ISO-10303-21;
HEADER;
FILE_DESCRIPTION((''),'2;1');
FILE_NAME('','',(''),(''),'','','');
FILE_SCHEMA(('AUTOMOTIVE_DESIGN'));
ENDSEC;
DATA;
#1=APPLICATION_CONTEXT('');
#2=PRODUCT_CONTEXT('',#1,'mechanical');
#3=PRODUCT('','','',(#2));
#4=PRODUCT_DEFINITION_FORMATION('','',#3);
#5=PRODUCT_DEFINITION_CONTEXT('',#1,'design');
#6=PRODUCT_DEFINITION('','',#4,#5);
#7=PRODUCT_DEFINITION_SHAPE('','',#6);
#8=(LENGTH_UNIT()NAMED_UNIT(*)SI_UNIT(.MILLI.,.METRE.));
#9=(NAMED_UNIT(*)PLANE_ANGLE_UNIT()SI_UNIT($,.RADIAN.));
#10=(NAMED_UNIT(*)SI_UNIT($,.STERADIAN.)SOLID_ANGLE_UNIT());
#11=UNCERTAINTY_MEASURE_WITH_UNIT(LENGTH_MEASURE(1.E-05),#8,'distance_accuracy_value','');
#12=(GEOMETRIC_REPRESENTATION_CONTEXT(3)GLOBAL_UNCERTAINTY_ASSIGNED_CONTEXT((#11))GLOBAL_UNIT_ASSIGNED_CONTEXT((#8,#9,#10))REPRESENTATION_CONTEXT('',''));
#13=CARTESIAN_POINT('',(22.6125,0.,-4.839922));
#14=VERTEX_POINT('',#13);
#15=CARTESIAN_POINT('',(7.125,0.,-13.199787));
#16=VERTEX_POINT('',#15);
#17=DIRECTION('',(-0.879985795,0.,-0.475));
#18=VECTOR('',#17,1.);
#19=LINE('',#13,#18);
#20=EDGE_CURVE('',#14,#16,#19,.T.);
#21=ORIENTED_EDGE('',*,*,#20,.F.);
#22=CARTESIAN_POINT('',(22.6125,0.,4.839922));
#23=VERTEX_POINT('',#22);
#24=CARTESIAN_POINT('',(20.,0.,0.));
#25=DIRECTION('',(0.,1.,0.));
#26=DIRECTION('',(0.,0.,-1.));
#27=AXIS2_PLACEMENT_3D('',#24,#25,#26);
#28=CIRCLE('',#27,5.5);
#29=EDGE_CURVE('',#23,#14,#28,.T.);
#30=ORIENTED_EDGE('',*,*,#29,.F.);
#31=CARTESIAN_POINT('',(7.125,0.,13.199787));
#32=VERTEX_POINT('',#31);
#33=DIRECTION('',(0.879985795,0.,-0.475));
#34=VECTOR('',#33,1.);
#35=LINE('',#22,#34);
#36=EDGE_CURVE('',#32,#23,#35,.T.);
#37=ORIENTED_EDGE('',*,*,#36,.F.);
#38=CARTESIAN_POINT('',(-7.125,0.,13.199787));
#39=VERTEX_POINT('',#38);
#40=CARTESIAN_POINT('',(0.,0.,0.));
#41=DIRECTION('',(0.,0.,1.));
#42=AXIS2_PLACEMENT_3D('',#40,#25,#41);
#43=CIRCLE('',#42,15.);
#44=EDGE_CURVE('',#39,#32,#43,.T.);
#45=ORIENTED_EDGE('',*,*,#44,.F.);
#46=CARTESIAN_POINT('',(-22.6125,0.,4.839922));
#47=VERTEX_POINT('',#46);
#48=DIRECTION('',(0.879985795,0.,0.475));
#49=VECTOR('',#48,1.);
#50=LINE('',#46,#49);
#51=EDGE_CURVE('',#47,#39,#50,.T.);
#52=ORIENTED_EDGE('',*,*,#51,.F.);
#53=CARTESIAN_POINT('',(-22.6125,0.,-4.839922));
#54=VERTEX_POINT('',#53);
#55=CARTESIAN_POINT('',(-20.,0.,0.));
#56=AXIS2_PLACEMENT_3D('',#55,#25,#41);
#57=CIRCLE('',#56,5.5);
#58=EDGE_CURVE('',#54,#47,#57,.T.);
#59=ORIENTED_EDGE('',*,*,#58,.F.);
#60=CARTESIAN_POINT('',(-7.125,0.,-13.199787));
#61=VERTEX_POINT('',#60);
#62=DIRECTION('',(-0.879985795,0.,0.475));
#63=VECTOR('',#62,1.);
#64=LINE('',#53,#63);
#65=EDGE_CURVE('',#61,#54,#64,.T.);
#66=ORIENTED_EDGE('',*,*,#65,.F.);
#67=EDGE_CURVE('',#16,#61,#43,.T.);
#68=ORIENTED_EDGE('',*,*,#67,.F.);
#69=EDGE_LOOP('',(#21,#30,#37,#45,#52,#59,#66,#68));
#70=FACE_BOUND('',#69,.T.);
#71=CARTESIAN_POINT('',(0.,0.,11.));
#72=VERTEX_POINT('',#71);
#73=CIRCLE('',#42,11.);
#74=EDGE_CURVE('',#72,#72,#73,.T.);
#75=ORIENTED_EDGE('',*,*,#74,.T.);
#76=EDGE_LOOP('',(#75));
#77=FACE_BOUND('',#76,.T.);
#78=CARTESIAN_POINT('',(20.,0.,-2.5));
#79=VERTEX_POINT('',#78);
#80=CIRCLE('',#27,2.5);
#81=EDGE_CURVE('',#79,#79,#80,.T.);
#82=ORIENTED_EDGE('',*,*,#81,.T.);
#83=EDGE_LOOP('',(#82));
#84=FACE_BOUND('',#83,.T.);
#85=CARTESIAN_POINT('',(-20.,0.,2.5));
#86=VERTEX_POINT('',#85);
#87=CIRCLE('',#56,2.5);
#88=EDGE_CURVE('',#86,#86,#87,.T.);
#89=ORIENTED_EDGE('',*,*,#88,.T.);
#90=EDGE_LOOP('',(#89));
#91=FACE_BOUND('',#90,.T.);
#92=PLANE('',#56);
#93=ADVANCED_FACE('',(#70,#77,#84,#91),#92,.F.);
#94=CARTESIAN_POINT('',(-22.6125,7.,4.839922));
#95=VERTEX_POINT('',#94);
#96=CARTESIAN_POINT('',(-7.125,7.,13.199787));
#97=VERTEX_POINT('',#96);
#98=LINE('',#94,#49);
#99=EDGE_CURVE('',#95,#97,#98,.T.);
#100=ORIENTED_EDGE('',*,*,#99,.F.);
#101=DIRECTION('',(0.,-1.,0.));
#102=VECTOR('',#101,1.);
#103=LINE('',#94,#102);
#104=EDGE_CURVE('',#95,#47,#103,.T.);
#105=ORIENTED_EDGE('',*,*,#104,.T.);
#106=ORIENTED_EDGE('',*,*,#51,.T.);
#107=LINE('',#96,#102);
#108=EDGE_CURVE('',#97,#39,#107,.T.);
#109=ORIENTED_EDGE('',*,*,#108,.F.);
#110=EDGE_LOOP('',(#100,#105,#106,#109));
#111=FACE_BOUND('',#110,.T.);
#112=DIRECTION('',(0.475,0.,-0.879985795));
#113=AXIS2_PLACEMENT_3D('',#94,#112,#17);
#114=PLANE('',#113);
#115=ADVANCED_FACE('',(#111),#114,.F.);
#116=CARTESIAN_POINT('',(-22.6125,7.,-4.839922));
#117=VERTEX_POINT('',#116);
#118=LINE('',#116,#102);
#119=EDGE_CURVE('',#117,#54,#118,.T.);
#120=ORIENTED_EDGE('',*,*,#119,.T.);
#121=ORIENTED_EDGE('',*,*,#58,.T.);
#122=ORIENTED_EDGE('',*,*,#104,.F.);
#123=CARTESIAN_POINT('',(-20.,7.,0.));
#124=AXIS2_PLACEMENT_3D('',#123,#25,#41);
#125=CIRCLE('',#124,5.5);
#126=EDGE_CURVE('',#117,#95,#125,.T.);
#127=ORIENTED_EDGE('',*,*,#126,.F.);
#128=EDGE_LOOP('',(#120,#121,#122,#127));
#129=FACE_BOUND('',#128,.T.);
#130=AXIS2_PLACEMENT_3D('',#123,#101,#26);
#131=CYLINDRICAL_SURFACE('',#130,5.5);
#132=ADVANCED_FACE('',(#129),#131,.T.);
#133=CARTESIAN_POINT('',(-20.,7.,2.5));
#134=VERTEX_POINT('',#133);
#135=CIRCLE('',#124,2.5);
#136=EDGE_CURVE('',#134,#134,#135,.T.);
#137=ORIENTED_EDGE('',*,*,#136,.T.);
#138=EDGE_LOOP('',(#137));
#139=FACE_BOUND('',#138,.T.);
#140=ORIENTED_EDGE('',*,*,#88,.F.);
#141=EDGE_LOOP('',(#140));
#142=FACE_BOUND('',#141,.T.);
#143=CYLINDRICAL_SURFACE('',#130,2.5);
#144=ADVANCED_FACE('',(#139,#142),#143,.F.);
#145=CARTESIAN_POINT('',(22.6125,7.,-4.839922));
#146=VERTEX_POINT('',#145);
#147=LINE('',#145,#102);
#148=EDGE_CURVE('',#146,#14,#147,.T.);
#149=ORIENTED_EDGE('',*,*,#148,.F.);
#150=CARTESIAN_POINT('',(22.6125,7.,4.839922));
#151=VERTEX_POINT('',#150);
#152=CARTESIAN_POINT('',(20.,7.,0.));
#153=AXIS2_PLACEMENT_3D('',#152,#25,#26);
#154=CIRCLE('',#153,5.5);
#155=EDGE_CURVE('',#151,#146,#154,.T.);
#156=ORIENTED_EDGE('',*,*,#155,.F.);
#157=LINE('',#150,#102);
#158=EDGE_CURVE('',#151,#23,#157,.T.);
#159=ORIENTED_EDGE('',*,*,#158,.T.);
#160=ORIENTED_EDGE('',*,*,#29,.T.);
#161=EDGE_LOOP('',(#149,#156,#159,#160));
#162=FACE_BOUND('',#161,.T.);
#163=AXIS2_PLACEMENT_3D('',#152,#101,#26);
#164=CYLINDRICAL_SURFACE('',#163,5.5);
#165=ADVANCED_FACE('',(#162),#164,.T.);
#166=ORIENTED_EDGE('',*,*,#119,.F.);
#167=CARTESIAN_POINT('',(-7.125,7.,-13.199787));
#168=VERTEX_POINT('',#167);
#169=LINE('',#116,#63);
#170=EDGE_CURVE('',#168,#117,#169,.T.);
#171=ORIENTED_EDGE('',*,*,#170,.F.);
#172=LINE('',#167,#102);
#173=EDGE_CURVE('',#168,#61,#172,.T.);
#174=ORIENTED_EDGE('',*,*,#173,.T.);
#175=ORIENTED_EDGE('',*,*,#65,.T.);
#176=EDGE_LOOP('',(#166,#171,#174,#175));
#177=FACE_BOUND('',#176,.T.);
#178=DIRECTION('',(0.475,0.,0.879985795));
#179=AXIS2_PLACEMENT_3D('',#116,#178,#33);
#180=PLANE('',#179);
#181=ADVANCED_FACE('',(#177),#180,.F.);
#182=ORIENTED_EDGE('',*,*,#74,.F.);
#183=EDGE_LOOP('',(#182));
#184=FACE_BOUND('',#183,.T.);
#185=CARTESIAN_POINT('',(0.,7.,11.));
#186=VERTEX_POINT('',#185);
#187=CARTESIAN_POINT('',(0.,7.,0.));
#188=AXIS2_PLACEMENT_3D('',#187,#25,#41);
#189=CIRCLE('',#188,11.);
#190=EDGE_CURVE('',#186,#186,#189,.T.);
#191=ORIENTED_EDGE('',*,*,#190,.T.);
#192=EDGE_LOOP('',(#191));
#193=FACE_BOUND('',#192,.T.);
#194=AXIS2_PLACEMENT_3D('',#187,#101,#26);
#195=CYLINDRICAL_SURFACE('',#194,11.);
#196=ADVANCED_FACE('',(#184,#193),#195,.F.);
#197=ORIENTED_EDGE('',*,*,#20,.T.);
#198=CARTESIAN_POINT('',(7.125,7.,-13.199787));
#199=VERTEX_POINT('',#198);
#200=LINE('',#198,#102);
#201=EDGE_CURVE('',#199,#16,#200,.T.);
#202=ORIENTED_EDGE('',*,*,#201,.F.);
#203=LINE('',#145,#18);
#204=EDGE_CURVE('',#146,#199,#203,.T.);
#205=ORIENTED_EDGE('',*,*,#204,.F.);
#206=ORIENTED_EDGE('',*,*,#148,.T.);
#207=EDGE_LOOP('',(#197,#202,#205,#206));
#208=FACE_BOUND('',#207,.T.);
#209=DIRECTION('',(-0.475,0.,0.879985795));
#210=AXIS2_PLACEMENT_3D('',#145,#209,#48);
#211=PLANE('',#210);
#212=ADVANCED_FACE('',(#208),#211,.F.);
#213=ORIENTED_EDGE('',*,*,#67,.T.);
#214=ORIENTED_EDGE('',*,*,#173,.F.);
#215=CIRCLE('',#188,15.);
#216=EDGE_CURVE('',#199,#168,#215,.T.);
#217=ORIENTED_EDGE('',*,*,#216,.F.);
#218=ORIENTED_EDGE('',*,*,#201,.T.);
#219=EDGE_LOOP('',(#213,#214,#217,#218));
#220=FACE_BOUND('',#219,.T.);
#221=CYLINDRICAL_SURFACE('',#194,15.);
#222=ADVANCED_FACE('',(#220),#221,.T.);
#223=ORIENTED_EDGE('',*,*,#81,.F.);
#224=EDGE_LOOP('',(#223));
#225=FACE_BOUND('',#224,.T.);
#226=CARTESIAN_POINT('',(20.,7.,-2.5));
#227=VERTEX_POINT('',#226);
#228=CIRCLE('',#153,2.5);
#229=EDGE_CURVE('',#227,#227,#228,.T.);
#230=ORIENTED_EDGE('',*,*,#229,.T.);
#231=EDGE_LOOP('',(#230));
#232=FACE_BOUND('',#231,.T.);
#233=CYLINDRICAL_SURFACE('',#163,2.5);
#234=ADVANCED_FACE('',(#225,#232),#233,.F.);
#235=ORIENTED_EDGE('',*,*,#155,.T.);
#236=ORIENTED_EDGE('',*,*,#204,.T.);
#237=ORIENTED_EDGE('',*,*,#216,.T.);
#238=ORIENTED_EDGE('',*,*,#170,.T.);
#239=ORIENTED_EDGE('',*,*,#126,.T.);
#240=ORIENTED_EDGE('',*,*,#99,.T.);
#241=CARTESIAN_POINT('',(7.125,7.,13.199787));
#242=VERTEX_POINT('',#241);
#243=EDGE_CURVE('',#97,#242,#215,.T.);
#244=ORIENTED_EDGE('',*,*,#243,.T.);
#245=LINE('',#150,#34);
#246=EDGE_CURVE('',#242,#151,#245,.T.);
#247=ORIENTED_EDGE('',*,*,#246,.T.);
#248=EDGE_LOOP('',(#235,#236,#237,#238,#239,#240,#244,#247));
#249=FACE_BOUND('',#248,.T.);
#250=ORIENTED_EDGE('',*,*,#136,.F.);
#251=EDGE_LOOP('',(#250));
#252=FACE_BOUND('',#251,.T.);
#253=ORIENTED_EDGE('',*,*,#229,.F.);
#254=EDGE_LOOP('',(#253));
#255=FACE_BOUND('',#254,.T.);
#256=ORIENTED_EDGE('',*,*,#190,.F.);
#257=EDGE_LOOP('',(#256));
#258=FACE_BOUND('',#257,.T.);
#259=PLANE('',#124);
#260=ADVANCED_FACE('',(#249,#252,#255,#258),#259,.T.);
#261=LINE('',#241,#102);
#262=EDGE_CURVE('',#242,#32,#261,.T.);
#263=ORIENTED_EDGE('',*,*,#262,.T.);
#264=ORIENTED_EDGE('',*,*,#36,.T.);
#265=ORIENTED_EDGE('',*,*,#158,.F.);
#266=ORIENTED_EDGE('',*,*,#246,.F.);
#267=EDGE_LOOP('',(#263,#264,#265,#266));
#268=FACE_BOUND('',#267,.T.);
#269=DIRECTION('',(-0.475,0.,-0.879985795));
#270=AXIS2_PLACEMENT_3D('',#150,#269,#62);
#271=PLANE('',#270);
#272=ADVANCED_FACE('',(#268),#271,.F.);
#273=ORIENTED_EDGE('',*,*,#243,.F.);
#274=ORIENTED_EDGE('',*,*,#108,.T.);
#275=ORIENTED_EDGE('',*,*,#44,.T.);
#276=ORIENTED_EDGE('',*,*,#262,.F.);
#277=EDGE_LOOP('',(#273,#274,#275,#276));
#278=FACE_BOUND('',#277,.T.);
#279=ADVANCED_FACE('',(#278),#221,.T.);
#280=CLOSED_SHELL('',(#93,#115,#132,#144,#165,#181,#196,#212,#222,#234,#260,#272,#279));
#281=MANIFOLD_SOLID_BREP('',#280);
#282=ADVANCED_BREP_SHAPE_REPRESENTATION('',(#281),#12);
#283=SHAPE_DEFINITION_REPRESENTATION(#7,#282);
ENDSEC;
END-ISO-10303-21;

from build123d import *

# Parameters (mm, degrees)
SKETCH1_R           = 11
SKETCH1_R_2         = 2.5
BOSS_EXTRUDE1_DEPTH = 7


with BuildPart() as part:
    # Sketch1 → Boss-Extrude1 (new body)
    with BuildSketch(Plane(origin=(0, 0, 0), x_dir=(1, 0, 0), z_dir=(0, 1, 0))):
        with BuildLine():
            Line((-22.6125, 4.839921874), (-7.125, 13.19978693))
            ThreePointArc((-7.125, 13.19978693), (0, 15), (7.125, 13.19978693))
            Line((7.125, 13.19978693), (22.6125, 4.839921874))
            ThreePointArc((22.6125, 4.839921874), (25.5, 0), (22.6125, -4.839921874))
            Line((22.6125, -4.839921874), (7.125, -13.19978693))
            ThreePointArc((7.125, -13.19978693), (0, -15), (-7.125, -13.19978693))
            Line((-7.125, -13.19978693), (-22.6125, -4.839921874))
            ThreePointArc((-22.6125, -4.839921874), (-25.5, 0), (-22.6125, 4.839921874))
        make_face()
        with Locations(Location((0, 0, 0), (0, 0, 270))):
            Circle(SKETCH1_R, mode=Mode.SUBTRACT)
        with Locations(Location((-20, 0, 0), (0, 0, 270))):
            Circle(SKETCH1_R_2, mode=Mode.SUBTRACT)
        with Locations(Location((20, 0, 0), (0, 0, 90))):
            Circle(SKETCH1_R_2, mode=Mode.SUBTRACT)
    extrude(amount=BOSS_EXTRUDE1_DEPTH)


solid = part.part
